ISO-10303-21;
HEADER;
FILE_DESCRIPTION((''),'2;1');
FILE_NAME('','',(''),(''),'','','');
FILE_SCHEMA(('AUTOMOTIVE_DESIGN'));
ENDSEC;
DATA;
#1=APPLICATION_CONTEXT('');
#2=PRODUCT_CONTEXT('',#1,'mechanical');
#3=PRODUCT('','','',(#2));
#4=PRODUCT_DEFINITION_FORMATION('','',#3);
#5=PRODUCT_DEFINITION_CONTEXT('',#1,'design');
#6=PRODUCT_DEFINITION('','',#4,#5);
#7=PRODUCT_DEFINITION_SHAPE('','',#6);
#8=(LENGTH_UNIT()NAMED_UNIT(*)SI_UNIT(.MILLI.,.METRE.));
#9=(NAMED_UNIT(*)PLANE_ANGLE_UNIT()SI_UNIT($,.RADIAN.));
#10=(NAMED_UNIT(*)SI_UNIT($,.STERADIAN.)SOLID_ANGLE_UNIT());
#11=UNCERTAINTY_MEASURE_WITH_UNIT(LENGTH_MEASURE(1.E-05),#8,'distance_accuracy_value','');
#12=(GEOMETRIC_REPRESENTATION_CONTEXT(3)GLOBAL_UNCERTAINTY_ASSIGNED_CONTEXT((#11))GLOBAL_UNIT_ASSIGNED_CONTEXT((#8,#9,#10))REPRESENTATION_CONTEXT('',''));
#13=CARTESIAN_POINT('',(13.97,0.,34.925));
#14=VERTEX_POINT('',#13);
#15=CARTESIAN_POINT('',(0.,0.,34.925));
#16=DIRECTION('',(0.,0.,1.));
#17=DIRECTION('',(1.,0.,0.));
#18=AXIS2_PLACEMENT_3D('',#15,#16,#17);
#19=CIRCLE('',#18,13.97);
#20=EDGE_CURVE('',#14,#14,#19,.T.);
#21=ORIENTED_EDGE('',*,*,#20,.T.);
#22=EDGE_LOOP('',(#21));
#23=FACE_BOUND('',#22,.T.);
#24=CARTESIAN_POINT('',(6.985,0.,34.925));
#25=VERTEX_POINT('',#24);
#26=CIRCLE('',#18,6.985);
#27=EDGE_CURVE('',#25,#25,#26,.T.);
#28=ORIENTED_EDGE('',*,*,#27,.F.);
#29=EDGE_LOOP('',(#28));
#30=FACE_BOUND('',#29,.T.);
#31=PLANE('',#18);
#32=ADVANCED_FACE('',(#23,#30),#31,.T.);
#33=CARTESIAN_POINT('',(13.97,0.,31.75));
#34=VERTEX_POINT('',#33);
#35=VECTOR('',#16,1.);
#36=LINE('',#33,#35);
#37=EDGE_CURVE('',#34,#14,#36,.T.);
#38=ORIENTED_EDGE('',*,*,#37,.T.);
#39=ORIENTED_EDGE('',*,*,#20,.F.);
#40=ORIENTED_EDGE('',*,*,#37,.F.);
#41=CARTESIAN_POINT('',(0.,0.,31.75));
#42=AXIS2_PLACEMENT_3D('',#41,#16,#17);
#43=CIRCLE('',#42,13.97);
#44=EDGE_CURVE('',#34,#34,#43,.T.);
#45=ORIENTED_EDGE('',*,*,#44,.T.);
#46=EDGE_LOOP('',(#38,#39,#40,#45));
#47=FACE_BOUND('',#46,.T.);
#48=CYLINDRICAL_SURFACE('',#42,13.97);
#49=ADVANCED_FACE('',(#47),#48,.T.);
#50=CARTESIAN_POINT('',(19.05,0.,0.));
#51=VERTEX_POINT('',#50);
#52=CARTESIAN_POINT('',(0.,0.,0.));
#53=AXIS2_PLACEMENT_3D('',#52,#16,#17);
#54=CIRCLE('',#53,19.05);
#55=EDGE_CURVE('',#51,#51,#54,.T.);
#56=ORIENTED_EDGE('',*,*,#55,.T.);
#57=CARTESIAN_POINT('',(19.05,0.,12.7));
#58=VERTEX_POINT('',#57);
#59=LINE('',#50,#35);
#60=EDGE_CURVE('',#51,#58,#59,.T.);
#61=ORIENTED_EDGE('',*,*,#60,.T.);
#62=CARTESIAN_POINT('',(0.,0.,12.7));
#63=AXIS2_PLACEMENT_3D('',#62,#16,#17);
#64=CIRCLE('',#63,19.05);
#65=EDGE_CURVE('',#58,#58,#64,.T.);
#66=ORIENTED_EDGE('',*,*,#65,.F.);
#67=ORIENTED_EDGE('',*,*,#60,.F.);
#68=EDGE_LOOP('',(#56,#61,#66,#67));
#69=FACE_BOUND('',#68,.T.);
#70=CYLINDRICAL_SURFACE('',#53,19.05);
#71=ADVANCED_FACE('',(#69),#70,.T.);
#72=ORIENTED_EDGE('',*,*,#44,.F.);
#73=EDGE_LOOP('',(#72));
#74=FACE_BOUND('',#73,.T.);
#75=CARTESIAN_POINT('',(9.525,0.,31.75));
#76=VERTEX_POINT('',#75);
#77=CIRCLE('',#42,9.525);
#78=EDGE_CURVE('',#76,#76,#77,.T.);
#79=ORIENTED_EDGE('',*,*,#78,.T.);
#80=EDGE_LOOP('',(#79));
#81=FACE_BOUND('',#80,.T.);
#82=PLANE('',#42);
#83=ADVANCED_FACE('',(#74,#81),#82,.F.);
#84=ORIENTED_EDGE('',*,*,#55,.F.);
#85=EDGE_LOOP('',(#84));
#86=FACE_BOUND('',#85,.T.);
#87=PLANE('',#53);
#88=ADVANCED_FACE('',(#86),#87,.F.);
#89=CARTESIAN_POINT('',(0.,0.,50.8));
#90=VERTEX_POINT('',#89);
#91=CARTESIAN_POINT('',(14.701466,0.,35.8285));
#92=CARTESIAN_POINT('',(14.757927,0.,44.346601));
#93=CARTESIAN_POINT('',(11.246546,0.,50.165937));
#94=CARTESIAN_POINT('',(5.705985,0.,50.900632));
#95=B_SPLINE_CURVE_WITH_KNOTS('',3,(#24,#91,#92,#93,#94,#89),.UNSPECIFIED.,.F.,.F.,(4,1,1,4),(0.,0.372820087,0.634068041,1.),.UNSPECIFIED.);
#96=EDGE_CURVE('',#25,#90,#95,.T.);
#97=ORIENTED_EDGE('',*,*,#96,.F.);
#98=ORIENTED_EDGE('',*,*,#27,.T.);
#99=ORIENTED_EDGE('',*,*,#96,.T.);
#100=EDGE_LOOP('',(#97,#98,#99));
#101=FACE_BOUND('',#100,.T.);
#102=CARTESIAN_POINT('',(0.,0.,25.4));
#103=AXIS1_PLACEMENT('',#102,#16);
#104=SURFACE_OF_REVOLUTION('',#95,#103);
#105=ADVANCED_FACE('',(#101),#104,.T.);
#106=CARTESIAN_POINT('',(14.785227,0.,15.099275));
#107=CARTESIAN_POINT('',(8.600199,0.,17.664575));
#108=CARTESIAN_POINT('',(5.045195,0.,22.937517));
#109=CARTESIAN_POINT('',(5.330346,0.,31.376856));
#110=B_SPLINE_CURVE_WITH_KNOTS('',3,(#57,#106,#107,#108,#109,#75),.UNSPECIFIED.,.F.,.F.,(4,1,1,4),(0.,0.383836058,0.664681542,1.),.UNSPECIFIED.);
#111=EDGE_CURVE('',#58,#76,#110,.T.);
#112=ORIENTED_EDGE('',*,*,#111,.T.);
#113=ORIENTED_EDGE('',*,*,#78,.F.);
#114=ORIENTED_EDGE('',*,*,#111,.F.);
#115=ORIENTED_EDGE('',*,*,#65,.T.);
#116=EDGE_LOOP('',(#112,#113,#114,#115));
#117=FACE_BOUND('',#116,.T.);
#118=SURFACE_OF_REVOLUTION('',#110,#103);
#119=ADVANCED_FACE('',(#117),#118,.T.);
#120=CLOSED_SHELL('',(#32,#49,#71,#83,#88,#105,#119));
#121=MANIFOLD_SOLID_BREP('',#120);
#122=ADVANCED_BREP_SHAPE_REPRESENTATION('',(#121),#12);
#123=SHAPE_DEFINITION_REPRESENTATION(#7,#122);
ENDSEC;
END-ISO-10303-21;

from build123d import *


with BuildPart() as f1:
    # F0 (on Front) → F1 (revolve)
    with BuildSketch(Plane.XZ):
        with BuildLine():
            Line((0, 50.8), (0, 34.925))
            Line((0, 34.925), (6.985, 34.925))
            add(Edge.make_bspline(
                [(6.985, 34.925), (14.7014663656, 35.8285003282), (14.7579266168, 44.3466005075), (11.2465458357, 50.1659365692), (5.7059846608, 50.9006321078), (0, 50.8)],
                knots=[0, 0, 0, 0, 0.372820087, 0.6340680412, 1, 1, 1, 1], degree=3))
        make_face()
        Polygon((0, 34.925), (0, 31.75), (9.525, 31.75), (13.97, 31.75), (13.97, 34.925), (6.985, 34.925), align=None)
        with BuildLine():
            Line((0, 31.75), (0, 0))
            Line((0, 0), (19.05, 0))
            Line((19.05, 0), (19.05, 12.7))
            add(Edge.make_bspline(
                [(19.05, 12.7), (14.7852268247, 15.0992752294), (8.6001992559, 17.6645746008), (5.0451952411, 22.9375174572), (5.3303460288, 31.3768557704), (9.525, 31.75)],
                knots=[0, 0, 0, 0, 0.3838360582, 0.6646815416, 1, 1, 1, 1], degree=3))
            Line((9.525, 31.75), (0, 31.75))
        make_face()
    revolve(axis=Axis((0, 0, 25.4), (0, 0, 1)))


solid = f1.part
